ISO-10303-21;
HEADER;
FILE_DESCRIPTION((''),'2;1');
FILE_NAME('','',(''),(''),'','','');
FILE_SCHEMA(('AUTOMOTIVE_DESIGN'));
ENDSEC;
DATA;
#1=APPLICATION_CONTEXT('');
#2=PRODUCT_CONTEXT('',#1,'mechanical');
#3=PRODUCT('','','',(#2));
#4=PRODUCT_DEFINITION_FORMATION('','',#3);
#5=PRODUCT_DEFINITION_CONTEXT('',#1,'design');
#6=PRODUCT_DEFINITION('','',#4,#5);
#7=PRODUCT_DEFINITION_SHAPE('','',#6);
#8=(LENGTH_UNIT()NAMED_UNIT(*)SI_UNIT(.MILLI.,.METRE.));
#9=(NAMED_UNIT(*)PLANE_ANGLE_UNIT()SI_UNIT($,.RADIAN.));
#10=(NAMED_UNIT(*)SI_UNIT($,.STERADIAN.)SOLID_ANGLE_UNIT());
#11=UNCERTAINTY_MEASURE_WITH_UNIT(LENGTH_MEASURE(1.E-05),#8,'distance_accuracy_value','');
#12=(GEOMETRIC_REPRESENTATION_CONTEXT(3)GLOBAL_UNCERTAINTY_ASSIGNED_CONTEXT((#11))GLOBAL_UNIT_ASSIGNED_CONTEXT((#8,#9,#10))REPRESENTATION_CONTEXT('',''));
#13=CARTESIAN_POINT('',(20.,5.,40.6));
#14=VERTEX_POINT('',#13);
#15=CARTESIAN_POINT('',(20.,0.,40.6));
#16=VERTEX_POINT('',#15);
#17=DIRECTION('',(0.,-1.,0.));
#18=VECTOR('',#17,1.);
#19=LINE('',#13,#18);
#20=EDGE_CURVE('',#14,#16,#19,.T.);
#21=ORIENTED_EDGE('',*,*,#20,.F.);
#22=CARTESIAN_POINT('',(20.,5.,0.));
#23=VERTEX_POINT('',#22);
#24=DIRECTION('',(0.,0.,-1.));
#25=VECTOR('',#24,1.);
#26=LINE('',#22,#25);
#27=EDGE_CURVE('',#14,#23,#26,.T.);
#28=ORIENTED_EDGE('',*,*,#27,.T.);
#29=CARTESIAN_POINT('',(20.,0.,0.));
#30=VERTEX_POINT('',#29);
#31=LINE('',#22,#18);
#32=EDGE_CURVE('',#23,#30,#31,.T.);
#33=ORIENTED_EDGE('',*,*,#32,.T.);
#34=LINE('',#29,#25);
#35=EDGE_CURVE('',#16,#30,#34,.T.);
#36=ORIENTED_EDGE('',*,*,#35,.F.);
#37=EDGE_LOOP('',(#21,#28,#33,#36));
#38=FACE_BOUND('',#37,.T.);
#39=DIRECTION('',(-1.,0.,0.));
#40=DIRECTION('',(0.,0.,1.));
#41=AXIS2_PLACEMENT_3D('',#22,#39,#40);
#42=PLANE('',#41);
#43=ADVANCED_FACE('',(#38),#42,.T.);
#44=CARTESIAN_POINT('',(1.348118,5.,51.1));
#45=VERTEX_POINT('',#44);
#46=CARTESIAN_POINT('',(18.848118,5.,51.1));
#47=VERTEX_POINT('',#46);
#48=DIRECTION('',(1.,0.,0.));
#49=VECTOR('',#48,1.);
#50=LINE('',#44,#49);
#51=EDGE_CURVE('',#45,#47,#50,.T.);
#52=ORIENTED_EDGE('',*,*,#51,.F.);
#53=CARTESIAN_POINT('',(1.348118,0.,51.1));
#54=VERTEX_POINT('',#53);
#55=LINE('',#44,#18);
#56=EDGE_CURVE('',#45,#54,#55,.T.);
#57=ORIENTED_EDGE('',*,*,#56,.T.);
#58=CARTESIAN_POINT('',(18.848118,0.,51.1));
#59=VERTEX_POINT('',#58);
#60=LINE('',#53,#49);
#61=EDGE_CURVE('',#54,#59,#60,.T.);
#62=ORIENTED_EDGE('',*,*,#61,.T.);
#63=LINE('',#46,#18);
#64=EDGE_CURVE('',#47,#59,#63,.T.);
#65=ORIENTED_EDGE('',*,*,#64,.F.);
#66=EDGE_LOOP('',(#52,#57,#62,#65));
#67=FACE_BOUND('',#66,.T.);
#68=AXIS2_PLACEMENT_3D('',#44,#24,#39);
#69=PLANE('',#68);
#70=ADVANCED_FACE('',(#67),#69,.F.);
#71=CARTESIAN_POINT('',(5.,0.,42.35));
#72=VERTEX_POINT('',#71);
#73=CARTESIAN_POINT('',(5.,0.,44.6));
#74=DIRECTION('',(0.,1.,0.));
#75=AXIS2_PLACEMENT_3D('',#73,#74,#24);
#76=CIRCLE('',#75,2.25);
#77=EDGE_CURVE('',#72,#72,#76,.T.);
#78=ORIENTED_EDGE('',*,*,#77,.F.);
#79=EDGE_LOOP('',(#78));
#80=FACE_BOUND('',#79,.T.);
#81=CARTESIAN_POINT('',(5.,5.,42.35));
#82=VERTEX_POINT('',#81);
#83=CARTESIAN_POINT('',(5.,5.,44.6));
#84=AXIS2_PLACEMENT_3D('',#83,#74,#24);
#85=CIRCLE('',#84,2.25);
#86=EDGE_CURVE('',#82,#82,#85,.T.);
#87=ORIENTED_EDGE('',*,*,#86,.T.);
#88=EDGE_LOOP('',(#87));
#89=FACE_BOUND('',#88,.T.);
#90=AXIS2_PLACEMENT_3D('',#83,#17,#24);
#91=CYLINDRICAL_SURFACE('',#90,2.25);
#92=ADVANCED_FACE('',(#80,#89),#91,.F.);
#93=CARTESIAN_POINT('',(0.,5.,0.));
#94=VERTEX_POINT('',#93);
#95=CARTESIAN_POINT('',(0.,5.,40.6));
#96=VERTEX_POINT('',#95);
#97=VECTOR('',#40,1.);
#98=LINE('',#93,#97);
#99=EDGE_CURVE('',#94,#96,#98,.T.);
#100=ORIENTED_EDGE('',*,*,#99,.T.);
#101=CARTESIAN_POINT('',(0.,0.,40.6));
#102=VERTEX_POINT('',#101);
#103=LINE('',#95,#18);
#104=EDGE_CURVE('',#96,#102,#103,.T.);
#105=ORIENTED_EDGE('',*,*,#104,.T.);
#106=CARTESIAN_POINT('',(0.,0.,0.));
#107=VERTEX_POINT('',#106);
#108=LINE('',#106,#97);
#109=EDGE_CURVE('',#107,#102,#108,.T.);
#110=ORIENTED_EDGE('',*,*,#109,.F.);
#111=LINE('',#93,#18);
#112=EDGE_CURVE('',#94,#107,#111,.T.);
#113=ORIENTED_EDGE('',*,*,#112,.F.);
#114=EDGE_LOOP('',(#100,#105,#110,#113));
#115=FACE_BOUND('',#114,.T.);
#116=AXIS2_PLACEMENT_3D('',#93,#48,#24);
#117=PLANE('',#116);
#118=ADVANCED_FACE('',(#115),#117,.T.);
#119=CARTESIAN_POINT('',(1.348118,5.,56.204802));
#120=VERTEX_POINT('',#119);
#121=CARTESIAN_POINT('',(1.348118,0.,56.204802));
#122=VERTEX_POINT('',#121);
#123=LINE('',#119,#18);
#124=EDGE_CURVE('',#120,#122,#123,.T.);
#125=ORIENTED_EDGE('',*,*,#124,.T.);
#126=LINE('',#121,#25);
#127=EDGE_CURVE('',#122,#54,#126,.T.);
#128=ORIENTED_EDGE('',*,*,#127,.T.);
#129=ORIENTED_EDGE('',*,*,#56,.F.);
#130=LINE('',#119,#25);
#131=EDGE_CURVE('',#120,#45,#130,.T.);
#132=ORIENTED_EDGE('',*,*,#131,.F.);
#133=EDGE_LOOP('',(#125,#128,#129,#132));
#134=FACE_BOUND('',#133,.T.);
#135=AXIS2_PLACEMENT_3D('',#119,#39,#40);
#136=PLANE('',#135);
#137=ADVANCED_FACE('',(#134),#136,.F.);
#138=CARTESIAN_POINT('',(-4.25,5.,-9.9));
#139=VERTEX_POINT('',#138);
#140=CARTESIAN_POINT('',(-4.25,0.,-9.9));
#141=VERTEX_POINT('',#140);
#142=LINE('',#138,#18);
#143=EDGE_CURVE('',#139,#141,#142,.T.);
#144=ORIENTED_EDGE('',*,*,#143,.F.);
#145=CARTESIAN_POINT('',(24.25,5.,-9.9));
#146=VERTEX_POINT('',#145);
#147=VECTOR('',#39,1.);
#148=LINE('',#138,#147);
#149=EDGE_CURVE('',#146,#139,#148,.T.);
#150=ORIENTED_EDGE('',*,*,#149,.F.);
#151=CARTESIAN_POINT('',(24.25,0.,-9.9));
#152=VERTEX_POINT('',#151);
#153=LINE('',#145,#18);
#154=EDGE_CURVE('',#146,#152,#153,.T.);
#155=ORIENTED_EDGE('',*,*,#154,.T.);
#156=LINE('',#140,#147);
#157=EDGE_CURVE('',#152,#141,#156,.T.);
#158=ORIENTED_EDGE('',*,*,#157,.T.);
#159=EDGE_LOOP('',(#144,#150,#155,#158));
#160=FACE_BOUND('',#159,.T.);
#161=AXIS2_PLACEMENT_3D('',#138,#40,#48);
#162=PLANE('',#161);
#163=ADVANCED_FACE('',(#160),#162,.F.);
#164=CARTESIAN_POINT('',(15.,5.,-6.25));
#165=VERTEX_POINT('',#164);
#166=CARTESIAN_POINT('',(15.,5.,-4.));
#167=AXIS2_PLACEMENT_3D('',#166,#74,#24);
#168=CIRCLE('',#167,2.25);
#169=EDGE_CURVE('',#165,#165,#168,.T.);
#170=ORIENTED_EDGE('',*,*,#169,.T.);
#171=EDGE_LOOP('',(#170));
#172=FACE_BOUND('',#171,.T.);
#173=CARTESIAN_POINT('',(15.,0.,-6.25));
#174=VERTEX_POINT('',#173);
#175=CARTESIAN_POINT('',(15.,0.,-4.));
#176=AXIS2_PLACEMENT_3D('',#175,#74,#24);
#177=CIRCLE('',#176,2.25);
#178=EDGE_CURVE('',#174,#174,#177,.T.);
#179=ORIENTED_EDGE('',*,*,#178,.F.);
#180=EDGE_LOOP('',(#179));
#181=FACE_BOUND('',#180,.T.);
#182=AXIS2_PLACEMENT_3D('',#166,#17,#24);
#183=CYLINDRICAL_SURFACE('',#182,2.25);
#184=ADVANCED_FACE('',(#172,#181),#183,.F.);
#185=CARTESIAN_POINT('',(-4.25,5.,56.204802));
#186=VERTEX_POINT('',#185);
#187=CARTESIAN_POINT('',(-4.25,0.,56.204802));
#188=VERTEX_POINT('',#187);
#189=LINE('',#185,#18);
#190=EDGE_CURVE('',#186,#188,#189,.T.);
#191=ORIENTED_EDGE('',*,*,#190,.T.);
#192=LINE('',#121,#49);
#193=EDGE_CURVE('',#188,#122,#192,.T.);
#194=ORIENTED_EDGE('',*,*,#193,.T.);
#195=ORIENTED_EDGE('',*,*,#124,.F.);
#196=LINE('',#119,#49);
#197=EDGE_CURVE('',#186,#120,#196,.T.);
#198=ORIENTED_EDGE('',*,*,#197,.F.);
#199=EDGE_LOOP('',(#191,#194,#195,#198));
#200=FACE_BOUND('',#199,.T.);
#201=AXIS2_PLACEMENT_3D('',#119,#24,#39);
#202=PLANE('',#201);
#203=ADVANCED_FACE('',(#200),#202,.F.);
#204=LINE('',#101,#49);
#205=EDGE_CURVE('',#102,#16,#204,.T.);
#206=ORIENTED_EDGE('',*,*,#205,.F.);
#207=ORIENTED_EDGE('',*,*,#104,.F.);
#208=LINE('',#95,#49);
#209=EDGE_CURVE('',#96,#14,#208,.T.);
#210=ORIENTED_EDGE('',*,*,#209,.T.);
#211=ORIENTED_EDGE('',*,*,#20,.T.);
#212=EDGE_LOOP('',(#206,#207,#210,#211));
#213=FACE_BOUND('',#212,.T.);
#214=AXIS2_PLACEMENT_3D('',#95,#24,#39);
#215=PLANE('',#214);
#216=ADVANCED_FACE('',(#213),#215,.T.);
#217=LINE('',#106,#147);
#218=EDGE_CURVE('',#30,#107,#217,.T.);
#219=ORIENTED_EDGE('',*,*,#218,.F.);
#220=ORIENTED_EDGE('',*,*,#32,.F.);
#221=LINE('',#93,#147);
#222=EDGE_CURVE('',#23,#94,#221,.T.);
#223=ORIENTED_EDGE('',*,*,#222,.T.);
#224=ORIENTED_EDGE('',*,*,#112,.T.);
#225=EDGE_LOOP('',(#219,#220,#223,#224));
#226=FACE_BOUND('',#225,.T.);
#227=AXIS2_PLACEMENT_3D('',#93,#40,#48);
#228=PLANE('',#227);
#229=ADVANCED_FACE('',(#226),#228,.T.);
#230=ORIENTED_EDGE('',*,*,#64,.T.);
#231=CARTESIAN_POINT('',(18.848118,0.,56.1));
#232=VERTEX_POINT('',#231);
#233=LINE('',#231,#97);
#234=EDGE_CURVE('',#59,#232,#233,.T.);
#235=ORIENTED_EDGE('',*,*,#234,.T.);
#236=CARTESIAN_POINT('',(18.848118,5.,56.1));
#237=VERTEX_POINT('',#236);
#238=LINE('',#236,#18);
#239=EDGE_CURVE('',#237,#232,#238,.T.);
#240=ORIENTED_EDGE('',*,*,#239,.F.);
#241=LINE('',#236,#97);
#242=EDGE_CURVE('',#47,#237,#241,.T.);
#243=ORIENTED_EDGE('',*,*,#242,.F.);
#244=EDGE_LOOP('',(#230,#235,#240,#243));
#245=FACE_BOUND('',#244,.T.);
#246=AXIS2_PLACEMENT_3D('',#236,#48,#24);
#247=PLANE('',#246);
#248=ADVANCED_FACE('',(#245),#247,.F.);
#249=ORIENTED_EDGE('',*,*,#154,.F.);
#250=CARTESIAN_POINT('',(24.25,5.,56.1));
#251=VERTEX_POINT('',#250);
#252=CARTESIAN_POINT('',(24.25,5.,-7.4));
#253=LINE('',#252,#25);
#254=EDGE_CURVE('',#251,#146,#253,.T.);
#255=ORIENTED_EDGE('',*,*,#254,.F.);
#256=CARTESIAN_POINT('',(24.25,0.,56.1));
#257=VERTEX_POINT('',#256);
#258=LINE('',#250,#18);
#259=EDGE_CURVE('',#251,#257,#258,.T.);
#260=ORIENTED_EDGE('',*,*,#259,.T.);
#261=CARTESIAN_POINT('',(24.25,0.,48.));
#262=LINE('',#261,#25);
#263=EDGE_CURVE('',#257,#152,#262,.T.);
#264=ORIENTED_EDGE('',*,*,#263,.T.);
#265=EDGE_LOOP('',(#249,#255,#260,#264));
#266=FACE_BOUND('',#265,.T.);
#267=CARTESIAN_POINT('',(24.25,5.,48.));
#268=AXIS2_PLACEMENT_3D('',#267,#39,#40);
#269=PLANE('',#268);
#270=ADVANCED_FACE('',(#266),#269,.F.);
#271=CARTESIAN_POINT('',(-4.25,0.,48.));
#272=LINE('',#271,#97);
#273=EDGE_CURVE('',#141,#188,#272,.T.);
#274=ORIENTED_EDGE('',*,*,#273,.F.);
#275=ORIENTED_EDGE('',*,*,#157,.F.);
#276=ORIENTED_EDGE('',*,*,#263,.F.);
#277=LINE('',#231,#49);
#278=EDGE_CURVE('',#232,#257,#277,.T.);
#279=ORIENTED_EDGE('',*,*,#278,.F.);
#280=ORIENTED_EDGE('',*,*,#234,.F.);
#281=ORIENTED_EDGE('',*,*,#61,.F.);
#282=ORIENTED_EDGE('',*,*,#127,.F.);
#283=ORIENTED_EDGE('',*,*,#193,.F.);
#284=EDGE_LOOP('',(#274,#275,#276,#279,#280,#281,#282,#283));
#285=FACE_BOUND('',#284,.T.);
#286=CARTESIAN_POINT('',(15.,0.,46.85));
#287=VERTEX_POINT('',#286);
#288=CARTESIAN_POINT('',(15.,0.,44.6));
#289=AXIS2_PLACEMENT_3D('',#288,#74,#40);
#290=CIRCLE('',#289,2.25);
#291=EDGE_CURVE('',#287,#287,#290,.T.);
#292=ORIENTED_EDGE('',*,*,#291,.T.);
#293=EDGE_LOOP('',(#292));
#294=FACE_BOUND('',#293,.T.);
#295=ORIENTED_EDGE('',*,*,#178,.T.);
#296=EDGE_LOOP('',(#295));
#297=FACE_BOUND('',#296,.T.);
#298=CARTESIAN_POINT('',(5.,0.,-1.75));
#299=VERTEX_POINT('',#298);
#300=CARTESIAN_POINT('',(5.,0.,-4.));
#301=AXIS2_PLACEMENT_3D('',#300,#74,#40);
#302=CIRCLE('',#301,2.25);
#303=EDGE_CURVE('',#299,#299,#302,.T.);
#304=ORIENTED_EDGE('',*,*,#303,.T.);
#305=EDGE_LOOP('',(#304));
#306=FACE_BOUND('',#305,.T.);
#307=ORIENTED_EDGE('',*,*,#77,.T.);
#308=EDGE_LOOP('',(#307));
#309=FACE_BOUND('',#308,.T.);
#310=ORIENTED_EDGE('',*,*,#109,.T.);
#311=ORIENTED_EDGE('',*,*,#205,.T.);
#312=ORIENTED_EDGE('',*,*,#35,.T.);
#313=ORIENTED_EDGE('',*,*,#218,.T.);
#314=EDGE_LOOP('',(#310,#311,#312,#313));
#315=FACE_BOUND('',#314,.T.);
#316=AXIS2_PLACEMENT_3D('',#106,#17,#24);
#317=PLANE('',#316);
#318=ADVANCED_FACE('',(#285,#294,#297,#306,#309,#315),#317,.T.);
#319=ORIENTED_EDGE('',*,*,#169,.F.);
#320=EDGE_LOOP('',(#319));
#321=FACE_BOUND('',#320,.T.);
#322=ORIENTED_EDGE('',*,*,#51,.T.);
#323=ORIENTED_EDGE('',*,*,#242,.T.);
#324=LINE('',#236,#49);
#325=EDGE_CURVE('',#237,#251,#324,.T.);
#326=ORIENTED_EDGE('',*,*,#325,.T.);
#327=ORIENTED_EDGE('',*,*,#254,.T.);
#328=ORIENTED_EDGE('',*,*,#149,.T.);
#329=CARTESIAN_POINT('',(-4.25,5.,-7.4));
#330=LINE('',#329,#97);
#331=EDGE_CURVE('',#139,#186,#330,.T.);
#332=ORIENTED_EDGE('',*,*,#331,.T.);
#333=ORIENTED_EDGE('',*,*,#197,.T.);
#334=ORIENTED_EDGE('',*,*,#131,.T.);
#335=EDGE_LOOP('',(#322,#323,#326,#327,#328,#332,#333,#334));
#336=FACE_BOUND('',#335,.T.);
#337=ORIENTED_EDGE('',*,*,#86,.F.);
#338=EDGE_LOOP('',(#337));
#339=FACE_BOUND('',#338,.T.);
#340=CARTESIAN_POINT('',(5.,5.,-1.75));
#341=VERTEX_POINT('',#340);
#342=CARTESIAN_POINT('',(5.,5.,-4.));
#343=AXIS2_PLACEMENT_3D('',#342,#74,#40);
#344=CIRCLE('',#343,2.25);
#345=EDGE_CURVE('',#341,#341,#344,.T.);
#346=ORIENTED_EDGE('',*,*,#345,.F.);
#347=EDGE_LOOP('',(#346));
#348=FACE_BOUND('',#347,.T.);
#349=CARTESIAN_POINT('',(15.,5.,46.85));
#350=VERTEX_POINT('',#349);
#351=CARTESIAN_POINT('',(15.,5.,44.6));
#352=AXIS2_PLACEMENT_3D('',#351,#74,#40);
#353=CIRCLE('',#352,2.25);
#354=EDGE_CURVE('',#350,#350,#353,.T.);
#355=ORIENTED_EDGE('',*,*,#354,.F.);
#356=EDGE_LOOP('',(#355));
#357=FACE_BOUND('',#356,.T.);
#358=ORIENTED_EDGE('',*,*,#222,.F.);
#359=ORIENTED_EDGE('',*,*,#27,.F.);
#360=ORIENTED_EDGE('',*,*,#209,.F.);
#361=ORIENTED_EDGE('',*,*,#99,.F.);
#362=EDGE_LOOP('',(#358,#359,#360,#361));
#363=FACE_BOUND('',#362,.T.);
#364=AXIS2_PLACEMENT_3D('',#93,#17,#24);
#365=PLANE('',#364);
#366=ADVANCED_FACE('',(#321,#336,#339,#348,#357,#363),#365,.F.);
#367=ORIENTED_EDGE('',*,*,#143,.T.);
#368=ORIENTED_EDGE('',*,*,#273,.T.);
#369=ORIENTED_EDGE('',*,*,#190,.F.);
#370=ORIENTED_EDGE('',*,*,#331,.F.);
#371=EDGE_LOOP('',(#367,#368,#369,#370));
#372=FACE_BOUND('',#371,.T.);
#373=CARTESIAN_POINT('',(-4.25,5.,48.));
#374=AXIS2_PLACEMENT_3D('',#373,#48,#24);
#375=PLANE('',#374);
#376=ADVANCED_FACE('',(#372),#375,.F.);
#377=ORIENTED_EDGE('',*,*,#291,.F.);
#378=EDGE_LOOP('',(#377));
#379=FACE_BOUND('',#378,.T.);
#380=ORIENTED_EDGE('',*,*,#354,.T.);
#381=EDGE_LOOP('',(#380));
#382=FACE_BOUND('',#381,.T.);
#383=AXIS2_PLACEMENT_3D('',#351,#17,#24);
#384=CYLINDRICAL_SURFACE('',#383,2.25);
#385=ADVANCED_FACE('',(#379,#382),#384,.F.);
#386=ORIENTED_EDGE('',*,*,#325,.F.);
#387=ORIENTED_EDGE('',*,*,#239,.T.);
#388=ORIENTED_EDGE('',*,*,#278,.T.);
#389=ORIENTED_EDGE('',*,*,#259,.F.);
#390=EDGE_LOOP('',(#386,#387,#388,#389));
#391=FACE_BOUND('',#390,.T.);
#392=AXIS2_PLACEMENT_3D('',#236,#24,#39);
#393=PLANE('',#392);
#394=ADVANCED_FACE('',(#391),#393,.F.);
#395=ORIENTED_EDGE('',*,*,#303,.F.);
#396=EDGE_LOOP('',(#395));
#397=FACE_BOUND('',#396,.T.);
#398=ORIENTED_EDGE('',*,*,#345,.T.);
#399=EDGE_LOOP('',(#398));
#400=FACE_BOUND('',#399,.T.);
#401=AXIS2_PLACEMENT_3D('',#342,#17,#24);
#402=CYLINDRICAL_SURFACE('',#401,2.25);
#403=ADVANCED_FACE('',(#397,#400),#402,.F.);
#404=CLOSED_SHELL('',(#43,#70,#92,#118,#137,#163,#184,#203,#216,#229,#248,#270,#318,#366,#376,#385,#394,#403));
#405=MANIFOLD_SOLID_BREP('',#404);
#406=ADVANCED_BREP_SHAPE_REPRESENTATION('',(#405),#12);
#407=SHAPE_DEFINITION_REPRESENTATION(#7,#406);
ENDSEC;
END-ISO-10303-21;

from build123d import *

# Parameters (mm, degrees)
SKETCH1_R           = 2.25
SKETCH1_W           = 20
SKETCH1_H           = 40.6
BOSS_EXTRUDE1_DEPTH = 5


with BuildPart() as part:
    # Sketch1 → Boss-Extrude1 (new body)
    with BuildSketch(Plane(origin=(0, 0, 0), x_dir=(1, 0, 0), z_dir=(0, 1, 0))):
        Polygon((-4.25, -48), (-4.25, 7.4), (-4.25, 9.9), (24.25, 9.9), (24.25, 7.4), (24.25, -48), (24.25, -56.1), (18.848117926, -56.1), (18.848117926, -51.1), (1.348117926, -51.1), (1.348117926, -56.204802146), (-4.25, -56.204802146), align=None)
        with Locations(Location((5, 4, 0), (0, 0, 270))):
            Circle(SKETCH1_R, mode=Mode.SUBTRACT)
        with Locations(Location((15, 4, 0), (0, 0, 90))):
            Circle(SKETCH1_R, mode=Mode.SUBTRACT)
        with Locations(Location((5, -44.6, 0), (0, 0, 90))):
            Circle(SKETCH1_R, mode=Mode.SUBTRACT)
        with Locations(Location((15, -44.6, 0), (0, 0, 270))):
            Circle(SKETCH1_R, mode=Mode.SUBTRACT)
        with Locations((10, -20.3)):
            Rectangle(SKETCH1_W, SKETCH1_H, mode=Mode.SUBTRACT)
    extrude(amount=BOSS_EXTRUDE1_DEPTH)


solid = part.part
